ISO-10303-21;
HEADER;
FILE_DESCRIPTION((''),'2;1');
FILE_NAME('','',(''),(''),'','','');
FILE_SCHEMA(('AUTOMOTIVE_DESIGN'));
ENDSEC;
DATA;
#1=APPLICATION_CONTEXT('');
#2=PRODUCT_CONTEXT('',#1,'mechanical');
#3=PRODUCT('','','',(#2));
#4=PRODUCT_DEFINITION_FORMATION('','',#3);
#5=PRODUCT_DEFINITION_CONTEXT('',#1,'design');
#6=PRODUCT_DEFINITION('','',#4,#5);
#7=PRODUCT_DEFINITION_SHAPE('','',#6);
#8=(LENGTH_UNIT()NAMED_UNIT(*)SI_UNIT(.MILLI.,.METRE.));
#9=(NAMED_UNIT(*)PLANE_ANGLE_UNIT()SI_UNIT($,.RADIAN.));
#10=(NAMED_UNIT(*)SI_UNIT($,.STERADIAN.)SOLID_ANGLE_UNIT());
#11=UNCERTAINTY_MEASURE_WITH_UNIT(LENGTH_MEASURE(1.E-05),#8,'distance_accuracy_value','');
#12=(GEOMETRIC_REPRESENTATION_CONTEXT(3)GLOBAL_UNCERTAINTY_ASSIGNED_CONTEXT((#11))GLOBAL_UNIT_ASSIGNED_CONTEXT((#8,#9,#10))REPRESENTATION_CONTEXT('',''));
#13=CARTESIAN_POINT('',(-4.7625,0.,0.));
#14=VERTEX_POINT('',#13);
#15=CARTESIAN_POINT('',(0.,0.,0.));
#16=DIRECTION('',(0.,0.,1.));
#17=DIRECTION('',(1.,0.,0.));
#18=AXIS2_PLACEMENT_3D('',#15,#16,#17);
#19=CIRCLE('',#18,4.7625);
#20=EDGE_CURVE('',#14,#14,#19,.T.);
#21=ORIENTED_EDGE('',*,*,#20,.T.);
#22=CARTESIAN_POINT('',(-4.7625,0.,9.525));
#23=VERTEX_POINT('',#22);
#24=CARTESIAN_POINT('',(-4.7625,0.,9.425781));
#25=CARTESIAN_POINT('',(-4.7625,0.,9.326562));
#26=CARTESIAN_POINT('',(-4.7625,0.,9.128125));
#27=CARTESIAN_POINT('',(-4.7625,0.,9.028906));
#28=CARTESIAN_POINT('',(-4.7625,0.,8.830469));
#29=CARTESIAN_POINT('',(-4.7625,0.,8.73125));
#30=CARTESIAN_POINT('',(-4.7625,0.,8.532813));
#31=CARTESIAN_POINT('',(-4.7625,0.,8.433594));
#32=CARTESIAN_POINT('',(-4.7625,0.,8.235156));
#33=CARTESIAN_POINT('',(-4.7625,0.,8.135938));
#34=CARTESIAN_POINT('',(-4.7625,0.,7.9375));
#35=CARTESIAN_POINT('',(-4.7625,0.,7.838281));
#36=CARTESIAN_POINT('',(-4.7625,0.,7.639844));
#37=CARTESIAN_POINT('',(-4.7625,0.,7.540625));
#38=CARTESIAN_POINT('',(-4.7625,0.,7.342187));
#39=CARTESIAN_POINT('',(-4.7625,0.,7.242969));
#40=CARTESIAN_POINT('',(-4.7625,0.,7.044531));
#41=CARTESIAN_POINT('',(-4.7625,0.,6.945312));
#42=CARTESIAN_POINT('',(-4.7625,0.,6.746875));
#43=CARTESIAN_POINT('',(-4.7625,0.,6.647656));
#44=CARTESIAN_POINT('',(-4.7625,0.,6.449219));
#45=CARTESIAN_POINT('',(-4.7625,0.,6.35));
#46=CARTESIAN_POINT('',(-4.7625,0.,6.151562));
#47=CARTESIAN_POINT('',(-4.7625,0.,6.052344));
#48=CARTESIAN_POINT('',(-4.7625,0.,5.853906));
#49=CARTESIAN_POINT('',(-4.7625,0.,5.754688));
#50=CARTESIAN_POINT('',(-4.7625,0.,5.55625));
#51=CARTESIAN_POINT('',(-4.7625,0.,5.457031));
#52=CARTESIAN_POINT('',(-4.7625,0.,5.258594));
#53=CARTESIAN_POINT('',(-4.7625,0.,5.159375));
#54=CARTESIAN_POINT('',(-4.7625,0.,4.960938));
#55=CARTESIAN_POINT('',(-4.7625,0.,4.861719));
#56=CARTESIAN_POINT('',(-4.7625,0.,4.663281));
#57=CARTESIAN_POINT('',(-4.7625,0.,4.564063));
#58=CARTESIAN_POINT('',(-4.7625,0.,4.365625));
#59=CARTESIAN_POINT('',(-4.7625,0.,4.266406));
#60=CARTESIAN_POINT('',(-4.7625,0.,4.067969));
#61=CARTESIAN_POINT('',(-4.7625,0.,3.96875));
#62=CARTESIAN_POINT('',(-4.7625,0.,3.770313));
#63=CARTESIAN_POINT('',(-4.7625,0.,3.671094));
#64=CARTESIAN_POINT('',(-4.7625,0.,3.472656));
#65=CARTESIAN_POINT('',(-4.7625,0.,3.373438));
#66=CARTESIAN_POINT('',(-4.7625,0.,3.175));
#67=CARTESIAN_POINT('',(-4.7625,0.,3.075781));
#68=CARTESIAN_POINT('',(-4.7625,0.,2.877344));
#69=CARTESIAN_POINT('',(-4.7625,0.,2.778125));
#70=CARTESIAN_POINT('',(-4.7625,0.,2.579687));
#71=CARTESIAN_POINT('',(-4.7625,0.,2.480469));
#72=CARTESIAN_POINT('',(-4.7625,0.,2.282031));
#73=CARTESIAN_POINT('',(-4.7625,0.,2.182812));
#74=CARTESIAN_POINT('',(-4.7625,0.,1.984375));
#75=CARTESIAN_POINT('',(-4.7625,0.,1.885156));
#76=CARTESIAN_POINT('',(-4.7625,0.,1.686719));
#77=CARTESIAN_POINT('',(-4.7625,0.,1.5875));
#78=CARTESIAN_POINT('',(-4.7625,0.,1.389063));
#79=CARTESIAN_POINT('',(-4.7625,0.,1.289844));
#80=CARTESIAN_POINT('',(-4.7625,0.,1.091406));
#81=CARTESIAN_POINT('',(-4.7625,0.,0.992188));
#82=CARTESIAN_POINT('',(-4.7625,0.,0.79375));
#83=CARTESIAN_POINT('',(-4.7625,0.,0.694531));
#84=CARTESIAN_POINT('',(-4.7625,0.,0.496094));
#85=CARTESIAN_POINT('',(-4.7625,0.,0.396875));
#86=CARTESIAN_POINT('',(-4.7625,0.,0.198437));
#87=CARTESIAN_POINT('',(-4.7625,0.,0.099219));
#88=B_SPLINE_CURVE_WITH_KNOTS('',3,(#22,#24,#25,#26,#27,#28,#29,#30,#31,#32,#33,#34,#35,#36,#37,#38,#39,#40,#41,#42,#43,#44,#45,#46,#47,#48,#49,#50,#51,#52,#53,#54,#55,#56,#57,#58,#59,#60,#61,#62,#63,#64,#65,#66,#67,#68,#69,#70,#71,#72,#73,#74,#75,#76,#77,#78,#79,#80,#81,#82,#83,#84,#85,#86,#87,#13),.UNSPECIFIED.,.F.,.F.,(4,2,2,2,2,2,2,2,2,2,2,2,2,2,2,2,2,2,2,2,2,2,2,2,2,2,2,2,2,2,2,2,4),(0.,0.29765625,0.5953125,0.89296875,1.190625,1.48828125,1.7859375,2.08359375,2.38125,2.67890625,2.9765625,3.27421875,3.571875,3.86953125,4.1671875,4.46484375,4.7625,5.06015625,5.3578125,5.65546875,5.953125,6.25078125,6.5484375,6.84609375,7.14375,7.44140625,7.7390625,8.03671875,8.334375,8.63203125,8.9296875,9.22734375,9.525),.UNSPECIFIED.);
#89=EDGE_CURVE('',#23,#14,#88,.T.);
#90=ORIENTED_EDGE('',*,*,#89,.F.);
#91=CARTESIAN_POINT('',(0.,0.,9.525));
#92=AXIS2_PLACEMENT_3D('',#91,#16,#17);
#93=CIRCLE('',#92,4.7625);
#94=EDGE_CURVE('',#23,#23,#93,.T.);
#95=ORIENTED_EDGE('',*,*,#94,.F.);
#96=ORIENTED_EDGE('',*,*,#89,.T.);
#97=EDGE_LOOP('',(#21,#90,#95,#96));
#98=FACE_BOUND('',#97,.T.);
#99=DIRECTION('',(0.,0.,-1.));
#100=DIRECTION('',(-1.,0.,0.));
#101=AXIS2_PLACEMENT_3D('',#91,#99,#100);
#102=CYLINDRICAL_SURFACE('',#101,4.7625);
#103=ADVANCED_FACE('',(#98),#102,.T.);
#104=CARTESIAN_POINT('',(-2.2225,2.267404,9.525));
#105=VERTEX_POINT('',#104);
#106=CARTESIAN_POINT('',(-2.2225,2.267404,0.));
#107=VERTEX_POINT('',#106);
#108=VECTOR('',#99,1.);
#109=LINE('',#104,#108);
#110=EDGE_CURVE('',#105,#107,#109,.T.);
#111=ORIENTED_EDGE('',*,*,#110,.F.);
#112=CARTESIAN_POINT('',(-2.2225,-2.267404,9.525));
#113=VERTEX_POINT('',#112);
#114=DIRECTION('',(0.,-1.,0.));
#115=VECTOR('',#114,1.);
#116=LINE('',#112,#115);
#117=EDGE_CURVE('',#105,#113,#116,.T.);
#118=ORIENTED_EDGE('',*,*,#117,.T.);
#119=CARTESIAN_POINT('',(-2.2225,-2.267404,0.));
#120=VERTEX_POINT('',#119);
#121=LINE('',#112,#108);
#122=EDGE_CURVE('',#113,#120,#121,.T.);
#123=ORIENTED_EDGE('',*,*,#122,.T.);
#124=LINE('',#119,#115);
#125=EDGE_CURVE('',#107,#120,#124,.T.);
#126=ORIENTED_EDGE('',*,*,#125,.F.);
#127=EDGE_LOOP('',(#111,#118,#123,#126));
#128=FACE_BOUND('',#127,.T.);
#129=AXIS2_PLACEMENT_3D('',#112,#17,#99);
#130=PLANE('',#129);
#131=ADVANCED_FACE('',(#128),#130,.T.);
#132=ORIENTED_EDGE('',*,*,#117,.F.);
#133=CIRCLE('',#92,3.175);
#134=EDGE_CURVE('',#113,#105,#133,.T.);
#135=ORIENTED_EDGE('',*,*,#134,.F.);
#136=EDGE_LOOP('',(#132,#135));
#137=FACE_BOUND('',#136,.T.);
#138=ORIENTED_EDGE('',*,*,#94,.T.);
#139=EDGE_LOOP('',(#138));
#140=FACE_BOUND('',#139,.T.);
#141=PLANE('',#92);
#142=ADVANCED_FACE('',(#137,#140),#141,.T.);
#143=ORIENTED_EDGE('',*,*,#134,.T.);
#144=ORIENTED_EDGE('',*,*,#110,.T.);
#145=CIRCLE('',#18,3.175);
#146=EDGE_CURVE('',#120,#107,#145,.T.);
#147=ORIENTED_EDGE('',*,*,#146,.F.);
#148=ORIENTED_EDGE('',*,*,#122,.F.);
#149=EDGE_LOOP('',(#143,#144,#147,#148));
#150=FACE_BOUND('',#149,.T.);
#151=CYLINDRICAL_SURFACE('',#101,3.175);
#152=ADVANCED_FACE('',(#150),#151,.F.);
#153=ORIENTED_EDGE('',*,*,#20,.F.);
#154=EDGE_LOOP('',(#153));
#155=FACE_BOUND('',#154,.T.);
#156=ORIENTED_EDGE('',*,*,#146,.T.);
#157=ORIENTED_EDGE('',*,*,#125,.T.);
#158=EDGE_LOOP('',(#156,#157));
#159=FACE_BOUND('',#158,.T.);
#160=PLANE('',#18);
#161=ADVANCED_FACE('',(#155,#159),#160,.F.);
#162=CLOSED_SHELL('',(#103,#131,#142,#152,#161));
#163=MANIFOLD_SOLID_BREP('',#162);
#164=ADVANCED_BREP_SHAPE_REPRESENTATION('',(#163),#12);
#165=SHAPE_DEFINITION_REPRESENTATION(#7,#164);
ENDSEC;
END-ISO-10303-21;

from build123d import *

# Parameters (mm, degrees)
SKETCH1_R           = 4.7625
BOSS_EXTRUDE1_DEPTH = 9.525


with BuildPart() as part:
    # Sketch1 → Boss-Extrude1 (new body)
    with BuildSketch(Plane.XY):
        with Locations(Location((0, 0, 0), (0, 0, 180))):
            Circle(SKETCH1_R)
        with BuildLine():
            Line((-2.2225, -2.267403526), (-2.2225, 2.267403526))
            ThreePointArc((-2.2225, 2.267403526), (3.175, 0), (-2.2225, -2.267403526))
        make_face(mode=Mode.SUBTRACT)
    extrude(amount=BOSS_EXTRUDE1_DEPTH)


solid = part.part
